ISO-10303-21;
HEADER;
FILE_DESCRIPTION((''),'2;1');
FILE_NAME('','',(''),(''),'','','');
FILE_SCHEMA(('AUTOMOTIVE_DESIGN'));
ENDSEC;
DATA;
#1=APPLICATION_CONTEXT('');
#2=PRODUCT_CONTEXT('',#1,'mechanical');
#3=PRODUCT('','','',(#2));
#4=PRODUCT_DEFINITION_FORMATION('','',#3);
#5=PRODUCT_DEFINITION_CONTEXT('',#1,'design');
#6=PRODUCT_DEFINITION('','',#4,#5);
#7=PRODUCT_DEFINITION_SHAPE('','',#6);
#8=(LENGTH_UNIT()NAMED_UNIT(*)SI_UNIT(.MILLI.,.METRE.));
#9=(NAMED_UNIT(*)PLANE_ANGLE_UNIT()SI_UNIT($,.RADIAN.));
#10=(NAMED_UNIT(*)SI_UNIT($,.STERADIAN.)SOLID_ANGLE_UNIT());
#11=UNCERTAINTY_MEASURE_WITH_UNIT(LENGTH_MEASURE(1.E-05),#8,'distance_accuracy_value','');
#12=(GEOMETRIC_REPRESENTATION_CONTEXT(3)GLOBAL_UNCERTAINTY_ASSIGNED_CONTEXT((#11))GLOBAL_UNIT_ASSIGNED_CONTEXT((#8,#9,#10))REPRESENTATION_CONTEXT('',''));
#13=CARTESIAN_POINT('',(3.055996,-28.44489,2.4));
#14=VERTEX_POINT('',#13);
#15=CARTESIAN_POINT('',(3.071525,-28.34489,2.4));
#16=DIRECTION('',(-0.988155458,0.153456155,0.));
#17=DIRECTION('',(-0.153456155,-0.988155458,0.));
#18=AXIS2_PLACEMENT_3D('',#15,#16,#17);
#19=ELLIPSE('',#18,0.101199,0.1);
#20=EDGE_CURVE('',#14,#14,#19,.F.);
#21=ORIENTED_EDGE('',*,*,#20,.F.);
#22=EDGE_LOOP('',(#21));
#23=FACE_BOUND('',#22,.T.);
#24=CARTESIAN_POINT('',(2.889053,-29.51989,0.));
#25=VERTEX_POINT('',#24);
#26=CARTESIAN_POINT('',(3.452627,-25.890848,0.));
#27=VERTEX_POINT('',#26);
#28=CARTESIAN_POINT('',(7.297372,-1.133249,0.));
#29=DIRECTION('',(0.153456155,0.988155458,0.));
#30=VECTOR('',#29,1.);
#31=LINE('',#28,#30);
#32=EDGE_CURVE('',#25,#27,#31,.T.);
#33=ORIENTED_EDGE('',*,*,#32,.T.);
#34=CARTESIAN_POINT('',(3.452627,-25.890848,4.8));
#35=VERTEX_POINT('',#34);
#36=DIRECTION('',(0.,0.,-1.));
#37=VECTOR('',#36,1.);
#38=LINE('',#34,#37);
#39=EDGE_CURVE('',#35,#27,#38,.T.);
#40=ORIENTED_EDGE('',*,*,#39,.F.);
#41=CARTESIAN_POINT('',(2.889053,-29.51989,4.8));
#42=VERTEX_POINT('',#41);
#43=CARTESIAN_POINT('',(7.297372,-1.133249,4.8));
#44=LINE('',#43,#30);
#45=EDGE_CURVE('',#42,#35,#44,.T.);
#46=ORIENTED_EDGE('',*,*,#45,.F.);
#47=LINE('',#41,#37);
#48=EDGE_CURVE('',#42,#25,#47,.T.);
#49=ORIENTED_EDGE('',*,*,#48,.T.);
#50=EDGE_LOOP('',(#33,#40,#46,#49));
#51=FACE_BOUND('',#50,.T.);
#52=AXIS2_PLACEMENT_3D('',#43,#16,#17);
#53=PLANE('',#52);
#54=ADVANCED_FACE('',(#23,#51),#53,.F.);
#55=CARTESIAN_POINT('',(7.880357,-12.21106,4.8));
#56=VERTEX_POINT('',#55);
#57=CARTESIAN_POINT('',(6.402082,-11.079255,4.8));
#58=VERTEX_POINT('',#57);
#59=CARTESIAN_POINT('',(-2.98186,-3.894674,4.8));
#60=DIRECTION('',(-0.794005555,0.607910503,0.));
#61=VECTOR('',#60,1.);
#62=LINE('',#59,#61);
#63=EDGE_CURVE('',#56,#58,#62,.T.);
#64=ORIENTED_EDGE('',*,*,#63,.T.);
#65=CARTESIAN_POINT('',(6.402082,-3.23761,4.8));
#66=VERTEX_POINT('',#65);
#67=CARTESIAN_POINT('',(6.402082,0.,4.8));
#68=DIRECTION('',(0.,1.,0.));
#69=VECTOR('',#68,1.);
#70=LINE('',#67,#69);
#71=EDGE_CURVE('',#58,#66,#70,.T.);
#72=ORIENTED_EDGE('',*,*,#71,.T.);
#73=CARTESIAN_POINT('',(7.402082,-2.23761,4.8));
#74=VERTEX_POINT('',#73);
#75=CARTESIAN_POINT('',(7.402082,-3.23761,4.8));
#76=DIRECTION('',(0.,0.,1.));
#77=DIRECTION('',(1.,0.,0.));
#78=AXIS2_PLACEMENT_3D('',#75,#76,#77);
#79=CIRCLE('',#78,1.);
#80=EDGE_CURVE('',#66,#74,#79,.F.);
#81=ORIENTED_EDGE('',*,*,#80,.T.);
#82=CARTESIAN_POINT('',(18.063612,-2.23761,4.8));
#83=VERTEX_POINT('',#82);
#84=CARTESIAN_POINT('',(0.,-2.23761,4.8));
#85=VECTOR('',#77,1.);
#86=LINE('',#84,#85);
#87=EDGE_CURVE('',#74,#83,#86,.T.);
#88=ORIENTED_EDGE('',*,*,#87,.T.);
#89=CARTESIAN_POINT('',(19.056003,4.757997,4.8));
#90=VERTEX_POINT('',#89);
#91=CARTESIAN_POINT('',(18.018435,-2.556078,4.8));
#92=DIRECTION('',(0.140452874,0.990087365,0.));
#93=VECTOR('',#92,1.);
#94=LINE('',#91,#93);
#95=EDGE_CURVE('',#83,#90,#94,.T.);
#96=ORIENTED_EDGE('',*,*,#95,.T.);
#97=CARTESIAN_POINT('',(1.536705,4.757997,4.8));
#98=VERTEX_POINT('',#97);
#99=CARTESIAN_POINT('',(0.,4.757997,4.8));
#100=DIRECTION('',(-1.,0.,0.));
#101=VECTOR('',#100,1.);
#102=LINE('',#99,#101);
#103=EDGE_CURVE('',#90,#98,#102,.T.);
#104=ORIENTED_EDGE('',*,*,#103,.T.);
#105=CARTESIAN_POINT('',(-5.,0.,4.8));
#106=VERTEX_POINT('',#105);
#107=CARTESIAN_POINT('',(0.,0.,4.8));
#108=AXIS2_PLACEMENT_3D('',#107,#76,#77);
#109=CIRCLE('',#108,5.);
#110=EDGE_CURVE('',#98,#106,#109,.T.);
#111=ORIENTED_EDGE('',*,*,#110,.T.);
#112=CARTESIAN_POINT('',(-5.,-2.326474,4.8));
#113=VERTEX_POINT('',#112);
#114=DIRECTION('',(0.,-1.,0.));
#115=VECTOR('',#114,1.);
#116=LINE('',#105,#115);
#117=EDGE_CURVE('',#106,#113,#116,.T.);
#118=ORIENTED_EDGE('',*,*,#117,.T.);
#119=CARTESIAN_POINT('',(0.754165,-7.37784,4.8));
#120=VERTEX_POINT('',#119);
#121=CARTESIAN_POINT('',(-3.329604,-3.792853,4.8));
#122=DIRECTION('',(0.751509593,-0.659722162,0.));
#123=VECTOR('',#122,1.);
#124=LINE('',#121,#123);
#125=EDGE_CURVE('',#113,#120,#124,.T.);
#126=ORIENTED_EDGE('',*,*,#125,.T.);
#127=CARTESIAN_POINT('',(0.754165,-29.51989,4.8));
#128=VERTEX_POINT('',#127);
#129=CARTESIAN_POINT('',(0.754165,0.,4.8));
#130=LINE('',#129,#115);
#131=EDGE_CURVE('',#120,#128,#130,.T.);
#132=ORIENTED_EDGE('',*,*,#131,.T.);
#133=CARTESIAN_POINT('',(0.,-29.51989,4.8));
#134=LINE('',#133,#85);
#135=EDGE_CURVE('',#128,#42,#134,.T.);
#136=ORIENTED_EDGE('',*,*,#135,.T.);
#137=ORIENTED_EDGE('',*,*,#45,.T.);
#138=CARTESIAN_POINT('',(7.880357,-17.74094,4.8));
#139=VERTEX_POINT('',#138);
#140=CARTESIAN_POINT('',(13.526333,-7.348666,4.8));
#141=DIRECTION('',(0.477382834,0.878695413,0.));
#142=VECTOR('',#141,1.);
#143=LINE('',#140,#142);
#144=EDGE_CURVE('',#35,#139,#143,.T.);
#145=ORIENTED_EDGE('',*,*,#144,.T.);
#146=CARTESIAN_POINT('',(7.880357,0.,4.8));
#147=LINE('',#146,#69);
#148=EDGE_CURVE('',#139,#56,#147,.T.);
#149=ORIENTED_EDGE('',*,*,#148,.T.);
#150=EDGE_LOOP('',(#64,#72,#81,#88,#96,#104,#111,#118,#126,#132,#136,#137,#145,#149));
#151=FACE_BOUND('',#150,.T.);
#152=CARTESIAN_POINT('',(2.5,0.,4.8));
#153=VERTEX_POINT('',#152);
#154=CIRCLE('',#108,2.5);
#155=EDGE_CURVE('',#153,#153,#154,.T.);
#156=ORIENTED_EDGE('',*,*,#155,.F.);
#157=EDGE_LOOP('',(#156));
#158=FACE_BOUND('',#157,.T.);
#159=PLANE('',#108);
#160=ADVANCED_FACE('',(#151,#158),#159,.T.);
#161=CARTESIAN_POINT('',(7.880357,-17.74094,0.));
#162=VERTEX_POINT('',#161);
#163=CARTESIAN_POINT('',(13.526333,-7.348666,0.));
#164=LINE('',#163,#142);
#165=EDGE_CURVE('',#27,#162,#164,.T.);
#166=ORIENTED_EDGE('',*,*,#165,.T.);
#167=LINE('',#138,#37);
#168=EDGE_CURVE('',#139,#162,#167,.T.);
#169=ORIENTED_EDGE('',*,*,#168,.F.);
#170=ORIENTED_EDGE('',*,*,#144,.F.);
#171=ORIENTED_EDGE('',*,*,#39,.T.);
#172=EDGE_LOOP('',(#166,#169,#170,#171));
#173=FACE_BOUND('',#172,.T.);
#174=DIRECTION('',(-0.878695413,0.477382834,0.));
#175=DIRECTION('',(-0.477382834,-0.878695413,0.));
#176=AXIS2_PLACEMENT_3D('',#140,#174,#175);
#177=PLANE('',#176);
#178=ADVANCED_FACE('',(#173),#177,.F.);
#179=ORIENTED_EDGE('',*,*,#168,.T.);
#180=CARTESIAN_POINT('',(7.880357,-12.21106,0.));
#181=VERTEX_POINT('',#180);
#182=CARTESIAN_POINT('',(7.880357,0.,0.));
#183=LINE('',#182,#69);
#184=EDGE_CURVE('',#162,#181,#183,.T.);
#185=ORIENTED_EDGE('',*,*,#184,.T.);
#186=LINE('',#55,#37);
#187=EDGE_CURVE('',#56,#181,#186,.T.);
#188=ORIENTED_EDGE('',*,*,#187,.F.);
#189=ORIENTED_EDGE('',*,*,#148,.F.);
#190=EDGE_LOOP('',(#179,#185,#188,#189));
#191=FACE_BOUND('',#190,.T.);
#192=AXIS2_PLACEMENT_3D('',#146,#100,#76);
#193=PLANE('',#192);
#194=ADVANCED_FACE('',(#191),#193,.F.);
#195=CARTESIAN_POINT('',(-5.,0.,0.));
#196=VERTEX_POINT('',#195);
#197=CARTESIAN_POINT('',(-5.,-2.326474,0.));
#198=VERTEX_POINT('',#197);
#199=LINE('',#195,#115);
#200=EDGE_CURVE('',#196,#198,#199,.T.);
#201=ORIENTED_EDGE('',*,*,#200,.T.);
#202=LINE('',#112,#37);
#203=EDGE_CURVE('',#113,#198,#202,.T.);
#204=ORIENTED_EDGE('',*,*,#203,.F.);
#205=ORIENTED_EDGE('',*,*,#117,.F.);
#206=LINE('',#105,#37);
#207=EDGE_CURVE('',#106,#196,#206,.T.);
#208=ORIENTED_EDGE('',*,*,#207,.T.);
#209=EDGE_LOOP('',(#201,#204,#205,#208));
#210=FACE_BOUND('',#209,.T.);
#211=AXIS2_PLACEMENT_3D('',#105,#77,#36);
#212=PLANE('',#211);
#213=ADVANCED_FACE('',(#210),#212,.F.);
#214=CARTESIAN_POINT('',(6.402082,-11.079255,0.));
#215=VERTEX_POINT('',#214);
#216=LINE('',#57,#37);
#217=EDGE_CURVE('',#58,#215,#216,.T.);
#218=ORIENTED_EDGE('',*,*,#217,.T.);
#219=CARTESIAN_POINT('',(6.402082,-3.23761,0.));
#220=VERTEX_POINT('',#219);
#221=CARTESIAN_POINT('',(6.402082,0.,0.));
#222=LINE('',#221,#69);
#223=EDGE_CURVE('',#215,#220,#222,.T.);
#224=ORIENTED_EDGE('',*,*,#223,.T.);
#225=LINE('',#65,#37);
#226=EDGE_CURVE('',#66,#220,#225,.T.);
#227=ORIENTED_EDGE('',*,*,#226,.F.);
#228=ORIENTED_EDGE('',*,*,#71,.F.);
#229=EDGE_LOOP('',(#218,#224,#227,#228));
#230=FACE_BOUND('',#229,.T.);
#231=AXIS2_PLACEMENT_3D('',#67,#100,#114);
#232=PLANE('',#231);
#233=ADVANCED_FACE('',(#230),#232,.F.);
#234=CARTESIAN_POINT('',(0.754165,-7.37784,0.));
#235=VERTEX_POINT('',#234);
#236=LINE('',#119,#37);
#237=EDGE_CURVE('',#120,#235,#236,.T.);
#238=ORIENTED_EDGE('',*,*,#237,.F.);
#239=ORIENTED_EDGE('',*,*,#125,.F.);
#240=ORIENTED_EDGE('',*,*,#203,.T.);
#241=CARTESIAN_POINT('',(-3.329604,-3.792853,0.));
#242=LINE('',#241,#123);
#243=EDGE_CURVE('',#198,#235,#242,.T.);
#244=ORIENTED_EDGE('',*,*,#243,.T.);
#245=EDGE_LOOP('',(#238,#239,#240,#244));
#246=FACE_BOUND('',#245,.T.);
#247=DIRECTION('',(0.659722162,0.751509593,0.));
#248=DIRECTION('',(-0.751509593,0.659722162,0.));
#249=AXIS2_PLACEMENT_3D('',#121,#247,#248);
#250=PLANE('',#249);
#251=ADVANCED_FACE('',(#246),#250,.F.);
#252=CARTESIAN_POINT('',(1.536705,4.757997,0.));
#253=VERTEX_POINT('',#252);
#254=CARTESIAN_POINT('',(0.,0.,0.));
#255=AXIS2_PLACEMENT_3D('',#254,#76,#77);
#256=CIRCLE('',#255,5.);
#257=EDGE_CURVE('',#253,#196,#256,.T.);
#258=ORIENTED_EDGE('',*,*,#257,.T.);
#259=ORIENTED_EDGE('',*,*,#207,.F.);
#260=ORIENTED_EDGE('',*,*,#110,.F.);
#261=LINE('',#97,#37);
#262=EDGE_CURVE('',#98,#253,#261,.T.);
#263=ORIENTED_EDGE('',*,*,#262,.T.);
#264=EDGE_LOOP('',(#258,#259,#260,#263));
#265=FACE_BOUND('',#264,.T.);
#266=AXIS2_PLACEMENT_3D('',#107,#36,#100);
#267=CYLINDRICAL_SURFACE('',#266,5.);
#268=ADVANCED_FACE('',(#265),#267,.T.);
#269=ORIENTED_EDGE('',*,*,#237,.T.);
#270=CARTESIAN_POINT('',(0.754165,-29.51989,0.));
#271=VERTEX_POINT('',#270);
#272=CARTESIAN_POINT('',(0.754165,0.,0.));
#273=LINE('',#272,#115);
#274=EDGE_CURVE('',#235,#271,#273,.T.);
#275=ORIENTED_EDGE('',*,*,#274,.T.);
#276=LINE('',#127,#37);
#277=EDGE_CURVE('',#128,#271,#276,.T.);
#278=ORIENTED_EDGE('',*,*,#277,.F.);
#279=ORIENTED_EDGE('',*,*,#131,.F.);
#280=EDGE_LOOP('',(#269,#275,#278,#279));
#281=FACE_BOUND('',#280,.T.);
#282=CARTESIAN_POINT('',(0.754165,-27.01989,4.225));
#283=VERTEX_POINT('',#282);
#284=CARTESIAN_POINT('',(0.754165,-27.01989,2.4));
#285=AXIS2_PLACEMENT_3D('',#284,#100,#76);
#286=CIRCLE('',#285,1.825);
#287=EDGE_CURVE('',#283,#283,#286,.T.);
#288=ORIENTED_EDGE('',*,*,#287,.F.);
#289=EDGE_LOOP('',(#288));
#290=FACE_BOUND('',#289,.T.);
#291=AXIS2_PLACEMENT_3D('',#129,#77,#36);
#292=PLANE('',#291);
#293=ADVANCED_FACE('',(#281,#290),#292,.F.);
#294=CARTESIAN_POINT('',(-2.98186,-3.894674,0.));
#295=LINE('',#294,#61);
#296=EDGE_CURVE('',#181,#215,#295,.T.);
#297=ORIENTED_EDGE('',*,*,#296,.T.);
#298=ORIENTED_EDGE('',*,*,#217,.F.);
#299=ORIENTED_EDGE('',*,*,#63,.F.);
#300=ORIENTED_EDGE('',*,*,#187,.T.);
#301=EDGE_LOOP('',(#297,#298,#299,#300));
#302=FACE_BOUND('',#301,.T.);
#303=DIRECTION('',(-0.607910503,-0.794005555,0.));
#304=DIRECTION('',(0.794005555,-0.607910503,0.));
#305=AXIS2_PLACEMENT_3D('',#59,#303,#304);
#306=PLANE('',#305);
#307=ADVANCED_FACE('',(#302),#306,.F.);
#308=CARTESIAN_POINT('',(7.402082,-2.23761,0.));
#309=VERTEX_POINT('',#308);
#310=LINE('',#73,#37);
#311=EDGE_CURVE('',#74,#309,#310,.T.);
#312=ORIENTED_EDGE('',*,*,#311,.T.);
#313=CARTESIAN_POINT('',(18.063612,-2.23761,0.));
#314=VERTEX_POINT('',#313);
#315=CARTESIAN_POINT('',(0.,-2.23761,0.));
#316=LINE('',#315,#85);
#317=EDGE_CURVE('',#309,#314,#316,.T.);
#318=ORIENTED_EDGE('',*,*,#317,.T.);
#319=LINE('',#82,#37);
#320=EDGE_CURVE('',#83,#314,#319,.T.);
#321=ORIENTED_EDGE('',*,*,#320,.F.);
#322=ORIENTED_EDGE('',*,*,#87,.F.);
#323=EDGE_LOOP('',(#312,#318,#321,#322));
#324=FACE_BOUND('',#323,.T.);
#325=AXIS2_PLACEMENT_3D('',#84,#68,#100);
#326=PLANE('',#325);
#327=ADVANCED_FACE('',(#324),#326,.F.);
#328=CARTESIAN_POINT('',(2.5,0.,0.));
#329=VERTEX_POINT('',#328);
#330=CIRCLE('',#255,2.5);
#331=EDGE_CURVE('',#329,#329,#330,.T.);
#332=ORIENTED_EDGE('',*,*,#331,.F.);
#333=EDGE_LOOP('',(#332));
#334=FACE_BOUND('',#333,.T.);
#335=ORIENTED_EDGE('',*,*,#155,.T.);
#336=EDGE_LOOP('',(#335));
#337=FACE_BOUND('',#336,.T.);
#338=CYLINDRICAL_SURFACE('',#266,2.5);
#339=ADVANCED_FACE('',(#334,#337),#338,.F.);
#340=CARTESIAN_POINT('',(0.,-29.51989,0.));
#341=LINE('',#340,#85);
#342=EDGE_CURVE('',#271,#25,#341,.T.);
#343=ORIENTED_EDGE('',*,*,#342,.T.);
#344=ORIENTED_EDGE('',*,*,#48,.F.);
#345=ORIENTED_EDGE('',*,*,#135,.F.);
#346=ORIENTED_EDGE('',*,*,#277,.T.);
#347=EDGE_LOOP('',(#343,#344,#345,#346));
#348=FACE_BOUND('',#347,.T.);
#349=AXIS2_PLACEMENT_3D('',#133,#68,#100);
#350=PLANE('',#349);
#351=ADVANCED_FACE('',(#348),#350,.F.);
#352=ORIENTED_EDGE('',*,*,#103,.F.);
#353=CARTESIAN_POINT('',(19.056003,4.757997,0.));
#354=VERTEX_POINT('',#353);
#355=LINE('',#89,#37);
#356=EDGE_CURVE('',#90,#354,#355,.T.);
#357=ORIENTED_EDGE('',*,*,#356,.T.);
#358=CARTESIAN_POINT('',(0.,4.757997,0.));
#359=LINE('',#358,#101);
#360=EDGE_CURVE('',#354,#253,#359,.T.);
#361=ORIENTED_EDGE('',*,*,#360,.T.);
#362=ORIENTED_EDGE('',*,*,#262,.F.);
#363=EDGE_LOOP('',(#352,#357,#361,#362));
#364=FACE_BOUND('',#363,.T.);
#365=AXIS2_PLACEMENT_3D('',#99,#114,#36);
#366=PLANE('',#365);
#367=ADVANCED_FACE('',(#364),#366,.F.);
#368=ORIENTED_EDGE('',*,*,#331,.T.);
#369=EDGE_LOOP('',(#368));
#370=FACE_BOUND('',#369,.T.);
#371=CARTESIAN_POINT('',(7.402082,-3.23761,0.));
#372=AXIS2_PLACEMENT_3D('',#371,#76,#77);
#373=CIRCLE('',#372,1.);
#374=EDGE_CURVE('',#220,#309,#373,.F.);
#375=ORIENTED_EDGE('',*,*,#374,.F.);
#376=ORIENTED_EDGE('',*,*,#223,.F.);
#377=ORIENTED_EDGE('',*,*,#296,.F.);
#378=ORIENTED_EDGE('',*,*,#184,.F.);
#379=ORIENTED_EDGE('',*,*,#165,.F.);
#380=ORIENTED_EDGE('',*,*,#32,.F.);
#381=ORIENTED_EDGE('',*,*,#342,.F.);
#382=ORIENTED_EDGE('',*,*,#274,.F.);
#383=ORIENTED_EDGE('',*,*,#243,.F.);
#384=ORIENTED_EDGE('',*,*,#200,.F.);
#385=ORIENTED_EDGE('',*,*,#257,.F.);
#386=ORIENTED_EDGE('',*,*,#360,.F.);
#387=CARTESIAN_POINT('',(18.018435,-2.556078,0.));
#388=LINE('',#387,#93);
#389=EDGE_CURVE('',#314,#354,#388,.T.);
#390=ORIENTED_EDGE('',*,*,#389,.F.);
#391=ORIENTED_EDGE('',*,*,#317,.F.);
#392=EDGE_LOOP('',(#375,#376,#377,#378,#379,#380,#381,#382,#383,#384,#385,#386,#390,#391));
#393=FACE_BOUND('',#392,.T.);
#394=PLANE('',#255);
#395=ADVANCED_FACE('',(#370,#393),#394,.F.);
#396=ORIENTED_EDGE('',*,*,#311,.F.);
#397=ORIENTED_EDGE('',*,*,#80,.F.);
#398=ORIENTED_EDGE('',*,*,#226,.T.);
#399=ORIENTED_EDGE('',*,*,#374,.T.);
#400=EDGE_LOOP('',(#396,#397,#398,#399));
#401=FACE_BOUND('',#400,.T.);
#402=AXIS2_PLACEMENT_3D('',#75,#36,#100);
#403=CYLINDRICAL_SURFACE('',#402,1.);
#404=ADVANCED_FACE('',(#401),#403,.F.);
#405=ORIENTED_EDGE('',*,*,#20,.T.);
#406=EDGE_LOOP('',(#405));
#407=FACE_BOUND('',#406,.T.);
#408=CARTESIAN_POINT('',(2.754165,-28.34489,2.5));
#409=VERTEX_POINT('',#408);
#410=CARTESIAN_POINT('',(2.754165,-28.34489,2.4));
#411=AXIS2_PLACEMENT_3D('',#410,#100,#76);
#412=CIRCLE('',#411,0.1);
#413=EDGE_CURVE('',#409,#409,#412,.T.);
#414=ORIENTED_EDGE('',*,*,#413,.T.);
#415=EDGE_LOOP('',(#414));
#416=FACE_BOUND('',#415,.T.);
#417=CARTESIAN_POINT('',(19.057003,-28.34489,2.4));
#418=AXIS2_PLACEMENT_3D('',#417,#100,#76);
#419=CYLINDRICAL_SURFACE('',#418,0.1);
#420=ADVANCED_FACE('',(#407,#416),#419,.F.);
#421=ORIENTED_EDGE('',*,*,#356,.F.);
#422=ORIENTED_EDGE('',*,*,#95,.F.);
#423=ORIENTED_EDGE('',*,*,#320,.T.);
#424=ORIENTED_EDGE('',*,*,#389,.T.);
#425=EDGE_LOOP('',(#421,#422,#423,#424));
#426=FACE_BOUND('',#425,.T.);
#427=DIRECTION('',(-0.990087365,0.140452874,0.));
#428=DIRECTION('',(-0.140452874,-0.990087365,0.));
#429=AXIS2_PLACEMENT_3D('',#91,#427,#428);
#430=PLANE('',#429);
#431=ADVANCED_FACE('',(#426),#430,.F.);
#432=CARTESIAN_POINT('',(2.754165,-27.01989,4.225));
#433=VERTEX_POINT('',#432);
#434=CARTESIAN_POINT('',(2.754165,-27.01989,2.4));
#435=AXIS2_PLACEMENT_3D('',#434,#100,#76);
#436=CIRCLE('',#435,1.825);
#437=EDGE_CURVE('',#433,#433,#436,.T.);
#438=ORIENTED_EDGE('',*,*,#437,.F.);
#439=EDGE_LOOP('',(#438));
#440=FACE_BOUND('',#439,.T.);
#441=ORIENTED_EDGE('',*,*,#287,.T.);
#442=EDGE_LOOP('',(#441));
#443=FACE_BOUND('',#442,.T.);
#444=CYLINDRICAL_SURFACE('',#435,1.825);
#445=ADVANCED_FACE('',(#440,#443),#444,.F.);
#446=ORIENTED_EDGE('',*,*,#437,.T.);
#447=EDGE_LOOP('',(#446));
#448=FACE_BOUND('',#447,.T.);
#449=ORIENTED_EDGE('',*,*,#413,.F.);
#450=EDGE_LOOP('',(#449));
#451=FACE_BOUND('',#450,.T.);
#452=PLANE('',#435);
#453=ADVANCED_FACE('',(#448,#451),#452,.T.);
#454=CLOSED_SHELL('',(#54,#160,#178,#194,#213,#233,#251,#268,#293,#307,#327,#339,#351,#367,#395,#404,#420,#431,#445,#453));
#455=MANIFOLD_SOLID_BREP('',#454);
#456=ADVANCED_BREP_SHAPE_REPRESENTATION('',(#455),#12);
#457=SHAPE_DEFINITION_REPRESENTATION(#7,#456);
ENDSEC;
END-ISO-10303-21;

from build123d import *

# Parameters (mm, degrees)
SKETCH_1_R          = 5
SKETCH_1_R_2        = 2.5
EXTRUDE_1_DEPTH     = 4.8
SKETCH_3_R          = 1.825
CUT_EXTRUDE_1_DEPTH = 2
CUT_EXTRUDE_2_REACH = 36.062
SKETCH_4_R          = 0.1


with BuildPart() as part:
    # 스케치1 → 보스-돌출1 (new body)
    # profile 1 of 2: a face of its own
    with BuildSketch(Plane.XY):
        with BuildLine():
            ThreePointArc((5, 0), (0, -5), (-5, 0))
            Line((-5, 0), (-5, -2.326474397))
            Line((-5, -2.326474397), (0.754164722, -7.377840375))
            Line((0.754164722, -7.377840375), (0.754164722, -29.519890116))
            Line((0.754164722, -29.519890116), (2.889052882, -29.519890116))
            Line((2.889052882, -29.519890116), (3.452626944, -25.890848407))
            Line((3.452626944, -25.890848407), (7.880357437, -17.740939791))
            Line((7.880357437, -17.740939791), (7.880357437, -12.211059606))
            Line((7.880357437, -12.211059606), (6.40208237, -11.079255258))
            Line((6.40208237, -11.079255258), (6.40208237, -3.237610212))
            ThreePointArc((6.40208237, -3.237610212), (6.694975589, -2.530503431), (7.40208237, -2.237610212))
            Line((7.40208237, -2.237610212), (18.063612226, -2.237610212))
            Line((18.063612226, -2.237610212), (19.056002599, 4.757997197))
            Line((19.056002599, 4.757997197), (1.536705134, 4.757997197))
            ThreePointArc((1.536705134, 4.757997197), (4.04249463, 2.942488261), (5, 0))
        make_face()
    # profile 2 of 2: a face of its own
    with BuildSketch(Plane.XY):
        Circle(SKETCH_1_R)
        Circle(SKETCH_1_R_2, mode=Mode.SUBTRACT)
    extrude(amount=EXTRUDE_1_DEPTH)

    # 스케치3 → 컷-돌출1 (cut)
    with BuildSketch(Plane.ZY.offset(-0.754164722)):
        with Locations((2.4, -27.019890116)):
            Circle(SKETCH_3_R)
    extrude(amount=-CUT_EXTRUDE_1_DEPTH, mode=Mode.SUBTRACT)

    # 컷-돌출2: up to this plane
    cut_extrude_2_end = Plane(origin=(7.297372122, -1.133249487, 4.8), z_dir=(-0.9881554576984991, 0.15345615471746255, 0))
    # 스케치4 → 컷-돌출2 (cut, up to the surface)
    with BuildSketch(Plane.ZY.offset(-2.754164722), mode=Mode.PRIVATE) as cut_extrude_2_sk1:
        with Locations((2.4, -28.344890116)):
            Circle(SKETCH_4_R)
    cut_extrude_2_tool1 = split(extrude(cut_extrude_2_sk1.sketch, amount=-CUT_EXTRUDE_2_REACH, mode=Mode.PRIVATE), bisect_by=cut_extrude_2_end, keep=Keep.BOTH, mode=Mode.PRIVATE)
    add(cut_extrude_2_tool1.solids().sort_by_distance((2.754165, -28.34489, 2.4))[0], mode=Mode.SUBTRACT)


solid = part.part
